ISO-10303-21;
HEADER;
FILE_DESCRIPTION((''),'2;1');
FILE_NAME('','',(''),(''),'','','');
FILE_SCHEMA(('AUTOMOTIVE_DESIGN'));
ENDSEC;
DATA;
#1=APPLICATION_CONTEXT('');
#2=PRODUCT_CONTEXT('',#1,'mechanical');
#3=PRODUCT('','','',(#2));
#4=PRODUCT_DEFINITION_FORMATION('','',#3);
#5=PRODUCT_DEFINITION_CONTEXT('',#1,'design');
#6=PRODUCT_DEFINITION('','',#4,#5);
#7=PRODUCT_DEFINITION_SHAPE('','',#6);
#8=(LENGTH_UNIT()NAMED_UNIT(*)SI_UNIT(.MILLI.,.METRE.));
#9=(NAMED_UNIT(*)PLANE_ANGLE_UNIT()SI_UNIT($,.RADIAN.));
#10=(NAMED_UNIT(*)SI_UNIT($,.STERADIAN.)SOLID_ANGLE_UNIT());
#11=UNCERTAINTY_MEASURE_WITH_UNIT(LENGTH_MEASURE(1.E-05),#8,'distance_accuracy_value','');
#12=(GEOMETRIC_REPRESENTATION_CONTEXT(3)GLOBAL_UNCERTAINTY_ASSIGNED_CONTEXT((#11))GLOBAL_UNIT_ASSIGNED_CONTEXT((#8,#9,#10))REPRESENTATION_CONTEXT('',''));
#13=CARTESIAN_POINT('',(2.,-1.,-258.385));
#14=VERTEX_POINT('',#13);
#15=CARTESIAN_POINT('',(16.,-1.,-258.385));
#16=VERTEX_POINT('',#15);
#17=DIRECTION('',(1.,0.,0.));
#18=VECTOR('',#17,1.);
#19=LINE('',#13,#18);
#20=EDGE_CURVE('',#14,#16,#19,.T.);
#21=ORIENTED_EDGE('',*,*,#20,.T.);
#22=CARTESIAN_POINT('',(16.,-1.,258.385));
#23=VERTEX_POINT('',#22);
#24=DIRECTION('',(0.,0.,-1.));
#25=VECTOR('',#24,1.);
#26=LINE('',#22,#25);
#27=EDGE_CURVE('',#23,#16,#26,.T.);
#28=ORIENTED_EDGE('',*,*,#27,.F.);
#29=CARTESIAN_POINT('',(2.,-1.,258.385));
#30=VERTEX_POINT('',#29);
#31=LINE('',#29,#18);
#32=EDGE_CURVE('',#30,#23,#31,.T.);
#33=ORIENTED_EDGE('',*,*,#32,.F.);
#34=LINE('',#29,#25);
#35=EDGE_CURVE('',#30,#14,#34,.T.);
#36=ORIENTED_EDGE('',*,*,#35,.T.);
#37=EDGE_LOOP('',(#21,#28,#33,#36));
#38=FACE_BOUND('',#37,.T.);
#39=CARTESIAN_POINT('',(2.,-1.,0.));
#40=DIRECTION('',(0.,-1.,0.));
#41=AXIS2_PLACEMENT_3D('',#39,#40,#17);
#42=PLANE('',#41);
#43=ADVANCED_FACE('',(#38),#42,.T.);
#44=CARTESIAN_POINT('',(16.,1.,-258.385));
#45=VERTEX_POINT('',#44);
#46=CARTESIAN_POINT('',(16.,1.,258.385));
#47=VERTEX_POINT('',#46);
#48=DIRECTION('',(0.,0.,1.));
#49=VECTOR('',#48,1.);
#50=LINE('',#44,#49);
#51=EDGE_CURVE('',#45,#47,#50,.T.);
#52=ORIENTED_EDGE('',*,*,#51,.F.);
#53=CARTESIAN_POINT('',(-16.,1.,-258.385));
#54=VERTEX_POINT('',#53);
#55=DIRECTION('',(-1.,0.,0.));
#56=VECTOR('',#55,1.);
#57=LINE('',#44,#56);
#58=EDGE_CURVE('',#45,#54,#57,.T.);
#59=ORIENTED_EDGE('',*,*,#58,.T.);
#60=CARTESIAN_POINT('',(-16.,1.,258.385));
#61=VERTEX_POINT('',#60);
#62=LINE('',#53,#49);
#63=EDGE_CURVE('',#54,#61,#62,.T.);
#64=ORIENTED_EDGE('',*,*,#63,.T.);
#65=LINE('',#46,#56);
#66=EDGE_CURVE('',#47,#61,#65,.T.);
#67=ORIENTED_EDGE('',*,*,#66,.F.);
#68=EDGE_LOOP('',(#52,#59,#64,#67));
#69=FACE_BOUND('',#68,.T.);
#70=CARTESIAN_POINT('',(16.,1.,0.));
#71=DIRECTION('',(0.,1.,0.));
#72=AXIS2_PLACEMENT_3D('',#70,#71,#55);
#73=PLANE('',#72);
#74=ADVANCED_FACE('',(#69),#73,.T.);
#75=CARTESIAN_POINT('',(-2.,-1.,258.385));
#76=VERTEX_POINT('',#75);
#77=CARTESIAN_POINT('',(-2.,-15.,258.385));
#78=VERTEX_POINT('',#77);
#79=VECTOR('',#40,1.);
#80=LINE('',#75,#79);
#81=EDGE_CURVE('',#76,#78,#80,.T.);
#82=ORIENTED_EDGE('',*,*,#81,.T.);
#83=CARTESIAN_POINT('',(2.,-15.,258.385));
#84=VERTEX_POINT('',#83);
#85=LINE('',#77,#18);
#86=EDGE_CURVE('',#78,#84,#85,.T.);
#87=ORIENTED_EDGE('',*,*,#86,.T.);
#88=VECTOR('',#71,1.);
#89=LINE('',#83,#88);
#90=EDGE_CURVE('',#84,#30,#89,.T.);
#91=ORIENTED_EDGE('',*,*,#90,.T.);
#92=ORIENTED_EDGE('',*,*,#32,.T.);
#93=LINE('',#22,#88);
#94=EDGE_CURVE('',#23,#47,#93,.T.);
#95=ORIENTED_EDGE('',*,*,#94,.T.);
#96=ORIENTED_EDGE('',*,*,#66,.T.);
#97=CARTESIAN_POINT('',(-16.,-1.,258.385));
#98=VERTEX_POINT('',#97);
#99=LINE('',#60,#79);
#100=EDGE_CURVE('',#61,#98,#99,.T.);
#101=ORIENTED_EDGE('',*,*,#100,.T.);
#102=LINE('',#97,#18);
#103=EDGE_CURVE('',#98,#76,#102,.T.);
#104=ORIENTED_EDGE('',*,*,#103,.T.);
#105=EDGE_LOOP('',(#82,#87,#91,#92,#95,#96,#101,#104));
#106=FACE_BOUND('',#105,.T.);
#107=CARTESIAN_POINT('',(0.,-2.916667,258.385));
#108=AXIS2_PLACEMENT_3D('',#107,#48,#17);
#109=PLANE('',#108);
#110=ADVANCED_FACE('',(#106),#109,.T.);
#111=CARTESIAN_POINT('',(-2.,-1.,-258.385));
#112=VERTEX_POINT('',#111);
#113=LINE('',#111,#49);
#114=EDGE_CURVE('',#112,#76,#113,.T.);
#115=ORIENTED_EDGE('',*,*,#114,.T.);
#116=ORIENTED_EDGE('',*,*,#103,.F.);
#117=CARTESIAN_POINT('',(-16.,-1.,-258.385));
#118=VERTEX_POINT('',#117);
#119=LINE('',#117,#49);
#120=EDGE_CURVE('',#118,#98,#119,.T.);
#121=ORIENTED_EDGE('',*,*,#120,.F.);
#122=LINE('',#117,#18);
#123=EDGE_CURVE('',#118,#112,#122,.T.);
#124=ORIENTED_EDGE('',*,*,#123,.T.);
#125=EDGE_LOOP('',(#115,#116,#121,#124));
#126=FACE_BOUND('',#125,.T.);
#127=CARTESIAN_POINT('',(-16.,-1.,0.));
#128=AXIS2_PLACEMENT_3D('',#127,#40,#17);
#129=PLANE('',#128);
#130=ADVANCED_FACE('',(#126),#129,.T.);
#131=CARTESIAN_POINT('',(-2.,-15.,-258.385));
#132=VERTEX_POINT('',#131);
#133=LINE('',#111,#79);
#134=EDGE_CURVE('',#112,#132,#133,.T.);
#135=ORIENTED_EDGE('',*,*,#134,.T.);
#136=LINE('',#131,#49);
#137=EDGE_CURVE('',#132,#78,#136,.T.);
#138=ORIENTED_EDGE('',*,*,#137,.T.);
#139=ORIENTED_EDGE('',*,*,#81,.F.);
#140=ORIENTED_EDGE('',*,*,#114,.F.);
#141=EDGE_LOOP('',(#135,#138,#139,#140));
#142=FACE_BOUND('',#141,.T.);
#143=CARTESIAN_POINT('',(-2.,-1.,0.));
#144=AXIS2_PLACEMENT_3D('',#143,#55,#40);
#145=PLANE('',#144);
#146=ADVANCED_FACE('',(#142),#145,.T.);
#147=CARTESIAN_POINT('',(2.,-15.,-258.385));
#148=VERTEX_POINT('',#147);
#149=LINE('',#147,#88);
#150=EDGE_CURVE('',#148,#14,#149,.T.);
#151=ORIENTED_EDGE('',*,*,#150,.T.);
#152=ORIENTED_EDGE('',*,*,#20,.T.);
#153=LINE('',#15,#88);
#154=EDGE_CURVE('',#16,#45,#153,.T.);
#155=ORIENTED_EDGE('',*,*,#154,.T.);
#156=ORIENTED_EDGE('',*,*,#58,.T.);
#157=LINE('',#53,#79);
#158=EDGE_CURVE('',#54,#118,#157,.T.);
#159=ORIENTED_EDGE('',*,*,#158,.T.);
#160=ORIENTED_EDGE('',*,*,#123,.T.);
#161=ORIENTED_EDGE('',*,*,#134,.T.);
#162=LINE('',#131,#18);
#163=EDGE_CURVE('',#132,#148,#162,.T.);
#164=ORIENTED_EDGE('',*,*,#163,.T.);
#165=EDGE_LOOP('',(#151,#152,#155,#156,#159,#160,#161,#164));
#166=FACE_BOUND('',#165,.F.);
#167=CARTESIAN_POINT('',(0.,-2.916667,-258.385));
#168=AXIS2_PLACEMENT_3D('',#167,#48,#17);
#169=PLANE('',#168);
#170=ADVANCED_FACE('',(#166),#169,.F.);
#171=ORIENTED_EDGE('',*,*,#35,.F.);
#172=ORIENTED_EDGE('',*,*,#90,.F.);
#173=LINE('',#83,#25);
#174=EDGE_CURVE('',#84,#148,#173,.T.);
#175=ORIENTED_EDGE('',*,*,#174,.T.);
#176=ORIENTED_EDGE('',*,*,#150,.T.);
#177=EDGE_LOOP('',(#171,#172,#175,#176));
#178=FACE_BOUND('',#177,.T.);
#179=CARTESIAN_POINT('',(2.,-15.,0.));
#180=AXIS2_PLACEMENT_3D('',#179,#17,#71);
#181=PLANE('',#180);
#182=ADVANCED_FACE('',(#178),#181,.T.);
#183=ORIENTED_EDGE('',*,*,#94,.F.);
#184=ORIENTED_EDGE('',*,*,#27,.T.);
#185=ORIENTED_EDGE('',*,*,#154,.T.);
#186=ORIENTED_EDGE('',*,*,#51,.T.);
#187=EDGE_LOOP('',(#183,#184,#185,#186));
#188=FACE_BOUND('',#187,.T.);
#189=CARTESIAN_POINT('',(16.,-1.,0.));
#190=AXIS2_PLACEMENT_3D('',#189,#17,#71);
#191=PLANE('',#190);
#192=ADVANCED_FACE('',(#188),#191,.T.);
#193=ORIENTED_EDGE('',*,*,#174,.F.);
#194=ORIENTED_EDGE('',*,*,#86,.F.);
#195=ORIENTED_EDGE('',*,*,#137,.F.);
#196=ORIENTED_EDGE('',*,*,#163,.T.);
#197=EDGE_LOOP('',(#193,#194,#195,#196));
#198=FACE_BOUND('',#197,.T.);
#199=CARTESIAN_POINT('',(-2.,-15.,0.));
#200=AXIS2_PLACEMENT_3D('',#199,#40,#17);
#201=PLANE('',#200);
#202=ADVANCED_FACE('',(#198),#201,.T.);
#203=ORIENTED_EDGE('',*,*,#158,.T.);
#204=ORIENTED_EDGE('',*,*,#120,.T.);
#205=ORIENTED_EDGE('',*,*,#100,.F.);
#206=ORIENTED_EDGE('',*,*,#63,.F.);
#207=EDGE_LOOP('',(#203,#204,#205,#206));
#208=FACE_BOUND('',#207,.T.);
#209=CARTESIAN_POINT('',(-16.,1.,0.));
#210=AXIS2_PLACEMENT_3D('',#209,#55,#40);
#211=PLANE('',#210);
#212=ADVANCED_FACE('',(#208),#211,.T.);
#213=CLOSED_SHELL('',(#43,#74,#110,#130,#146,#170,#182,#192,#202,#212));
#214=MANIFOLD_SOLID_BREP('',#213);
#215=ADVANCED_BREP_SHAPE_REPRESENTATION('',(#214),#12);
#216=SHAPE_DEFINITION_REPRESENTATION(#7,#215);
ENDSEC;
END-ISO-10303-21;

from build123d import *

# Parameters (mm, degrees)
F1_DEPTH = 258.385


with BuildPart() as f1:
    # F0 (on Top) → F1 (new body, symmetric)
    with BuildSketch(Plane.XY):
        Polygon((16, -1), (16, 1), (-16, 1), (-16, -1), (-2, -1), (-2, -15), (2, -15), (2, -1), align=None)
    extrude(amount=F1_DEPTH, both=True)


solid = f1.part
